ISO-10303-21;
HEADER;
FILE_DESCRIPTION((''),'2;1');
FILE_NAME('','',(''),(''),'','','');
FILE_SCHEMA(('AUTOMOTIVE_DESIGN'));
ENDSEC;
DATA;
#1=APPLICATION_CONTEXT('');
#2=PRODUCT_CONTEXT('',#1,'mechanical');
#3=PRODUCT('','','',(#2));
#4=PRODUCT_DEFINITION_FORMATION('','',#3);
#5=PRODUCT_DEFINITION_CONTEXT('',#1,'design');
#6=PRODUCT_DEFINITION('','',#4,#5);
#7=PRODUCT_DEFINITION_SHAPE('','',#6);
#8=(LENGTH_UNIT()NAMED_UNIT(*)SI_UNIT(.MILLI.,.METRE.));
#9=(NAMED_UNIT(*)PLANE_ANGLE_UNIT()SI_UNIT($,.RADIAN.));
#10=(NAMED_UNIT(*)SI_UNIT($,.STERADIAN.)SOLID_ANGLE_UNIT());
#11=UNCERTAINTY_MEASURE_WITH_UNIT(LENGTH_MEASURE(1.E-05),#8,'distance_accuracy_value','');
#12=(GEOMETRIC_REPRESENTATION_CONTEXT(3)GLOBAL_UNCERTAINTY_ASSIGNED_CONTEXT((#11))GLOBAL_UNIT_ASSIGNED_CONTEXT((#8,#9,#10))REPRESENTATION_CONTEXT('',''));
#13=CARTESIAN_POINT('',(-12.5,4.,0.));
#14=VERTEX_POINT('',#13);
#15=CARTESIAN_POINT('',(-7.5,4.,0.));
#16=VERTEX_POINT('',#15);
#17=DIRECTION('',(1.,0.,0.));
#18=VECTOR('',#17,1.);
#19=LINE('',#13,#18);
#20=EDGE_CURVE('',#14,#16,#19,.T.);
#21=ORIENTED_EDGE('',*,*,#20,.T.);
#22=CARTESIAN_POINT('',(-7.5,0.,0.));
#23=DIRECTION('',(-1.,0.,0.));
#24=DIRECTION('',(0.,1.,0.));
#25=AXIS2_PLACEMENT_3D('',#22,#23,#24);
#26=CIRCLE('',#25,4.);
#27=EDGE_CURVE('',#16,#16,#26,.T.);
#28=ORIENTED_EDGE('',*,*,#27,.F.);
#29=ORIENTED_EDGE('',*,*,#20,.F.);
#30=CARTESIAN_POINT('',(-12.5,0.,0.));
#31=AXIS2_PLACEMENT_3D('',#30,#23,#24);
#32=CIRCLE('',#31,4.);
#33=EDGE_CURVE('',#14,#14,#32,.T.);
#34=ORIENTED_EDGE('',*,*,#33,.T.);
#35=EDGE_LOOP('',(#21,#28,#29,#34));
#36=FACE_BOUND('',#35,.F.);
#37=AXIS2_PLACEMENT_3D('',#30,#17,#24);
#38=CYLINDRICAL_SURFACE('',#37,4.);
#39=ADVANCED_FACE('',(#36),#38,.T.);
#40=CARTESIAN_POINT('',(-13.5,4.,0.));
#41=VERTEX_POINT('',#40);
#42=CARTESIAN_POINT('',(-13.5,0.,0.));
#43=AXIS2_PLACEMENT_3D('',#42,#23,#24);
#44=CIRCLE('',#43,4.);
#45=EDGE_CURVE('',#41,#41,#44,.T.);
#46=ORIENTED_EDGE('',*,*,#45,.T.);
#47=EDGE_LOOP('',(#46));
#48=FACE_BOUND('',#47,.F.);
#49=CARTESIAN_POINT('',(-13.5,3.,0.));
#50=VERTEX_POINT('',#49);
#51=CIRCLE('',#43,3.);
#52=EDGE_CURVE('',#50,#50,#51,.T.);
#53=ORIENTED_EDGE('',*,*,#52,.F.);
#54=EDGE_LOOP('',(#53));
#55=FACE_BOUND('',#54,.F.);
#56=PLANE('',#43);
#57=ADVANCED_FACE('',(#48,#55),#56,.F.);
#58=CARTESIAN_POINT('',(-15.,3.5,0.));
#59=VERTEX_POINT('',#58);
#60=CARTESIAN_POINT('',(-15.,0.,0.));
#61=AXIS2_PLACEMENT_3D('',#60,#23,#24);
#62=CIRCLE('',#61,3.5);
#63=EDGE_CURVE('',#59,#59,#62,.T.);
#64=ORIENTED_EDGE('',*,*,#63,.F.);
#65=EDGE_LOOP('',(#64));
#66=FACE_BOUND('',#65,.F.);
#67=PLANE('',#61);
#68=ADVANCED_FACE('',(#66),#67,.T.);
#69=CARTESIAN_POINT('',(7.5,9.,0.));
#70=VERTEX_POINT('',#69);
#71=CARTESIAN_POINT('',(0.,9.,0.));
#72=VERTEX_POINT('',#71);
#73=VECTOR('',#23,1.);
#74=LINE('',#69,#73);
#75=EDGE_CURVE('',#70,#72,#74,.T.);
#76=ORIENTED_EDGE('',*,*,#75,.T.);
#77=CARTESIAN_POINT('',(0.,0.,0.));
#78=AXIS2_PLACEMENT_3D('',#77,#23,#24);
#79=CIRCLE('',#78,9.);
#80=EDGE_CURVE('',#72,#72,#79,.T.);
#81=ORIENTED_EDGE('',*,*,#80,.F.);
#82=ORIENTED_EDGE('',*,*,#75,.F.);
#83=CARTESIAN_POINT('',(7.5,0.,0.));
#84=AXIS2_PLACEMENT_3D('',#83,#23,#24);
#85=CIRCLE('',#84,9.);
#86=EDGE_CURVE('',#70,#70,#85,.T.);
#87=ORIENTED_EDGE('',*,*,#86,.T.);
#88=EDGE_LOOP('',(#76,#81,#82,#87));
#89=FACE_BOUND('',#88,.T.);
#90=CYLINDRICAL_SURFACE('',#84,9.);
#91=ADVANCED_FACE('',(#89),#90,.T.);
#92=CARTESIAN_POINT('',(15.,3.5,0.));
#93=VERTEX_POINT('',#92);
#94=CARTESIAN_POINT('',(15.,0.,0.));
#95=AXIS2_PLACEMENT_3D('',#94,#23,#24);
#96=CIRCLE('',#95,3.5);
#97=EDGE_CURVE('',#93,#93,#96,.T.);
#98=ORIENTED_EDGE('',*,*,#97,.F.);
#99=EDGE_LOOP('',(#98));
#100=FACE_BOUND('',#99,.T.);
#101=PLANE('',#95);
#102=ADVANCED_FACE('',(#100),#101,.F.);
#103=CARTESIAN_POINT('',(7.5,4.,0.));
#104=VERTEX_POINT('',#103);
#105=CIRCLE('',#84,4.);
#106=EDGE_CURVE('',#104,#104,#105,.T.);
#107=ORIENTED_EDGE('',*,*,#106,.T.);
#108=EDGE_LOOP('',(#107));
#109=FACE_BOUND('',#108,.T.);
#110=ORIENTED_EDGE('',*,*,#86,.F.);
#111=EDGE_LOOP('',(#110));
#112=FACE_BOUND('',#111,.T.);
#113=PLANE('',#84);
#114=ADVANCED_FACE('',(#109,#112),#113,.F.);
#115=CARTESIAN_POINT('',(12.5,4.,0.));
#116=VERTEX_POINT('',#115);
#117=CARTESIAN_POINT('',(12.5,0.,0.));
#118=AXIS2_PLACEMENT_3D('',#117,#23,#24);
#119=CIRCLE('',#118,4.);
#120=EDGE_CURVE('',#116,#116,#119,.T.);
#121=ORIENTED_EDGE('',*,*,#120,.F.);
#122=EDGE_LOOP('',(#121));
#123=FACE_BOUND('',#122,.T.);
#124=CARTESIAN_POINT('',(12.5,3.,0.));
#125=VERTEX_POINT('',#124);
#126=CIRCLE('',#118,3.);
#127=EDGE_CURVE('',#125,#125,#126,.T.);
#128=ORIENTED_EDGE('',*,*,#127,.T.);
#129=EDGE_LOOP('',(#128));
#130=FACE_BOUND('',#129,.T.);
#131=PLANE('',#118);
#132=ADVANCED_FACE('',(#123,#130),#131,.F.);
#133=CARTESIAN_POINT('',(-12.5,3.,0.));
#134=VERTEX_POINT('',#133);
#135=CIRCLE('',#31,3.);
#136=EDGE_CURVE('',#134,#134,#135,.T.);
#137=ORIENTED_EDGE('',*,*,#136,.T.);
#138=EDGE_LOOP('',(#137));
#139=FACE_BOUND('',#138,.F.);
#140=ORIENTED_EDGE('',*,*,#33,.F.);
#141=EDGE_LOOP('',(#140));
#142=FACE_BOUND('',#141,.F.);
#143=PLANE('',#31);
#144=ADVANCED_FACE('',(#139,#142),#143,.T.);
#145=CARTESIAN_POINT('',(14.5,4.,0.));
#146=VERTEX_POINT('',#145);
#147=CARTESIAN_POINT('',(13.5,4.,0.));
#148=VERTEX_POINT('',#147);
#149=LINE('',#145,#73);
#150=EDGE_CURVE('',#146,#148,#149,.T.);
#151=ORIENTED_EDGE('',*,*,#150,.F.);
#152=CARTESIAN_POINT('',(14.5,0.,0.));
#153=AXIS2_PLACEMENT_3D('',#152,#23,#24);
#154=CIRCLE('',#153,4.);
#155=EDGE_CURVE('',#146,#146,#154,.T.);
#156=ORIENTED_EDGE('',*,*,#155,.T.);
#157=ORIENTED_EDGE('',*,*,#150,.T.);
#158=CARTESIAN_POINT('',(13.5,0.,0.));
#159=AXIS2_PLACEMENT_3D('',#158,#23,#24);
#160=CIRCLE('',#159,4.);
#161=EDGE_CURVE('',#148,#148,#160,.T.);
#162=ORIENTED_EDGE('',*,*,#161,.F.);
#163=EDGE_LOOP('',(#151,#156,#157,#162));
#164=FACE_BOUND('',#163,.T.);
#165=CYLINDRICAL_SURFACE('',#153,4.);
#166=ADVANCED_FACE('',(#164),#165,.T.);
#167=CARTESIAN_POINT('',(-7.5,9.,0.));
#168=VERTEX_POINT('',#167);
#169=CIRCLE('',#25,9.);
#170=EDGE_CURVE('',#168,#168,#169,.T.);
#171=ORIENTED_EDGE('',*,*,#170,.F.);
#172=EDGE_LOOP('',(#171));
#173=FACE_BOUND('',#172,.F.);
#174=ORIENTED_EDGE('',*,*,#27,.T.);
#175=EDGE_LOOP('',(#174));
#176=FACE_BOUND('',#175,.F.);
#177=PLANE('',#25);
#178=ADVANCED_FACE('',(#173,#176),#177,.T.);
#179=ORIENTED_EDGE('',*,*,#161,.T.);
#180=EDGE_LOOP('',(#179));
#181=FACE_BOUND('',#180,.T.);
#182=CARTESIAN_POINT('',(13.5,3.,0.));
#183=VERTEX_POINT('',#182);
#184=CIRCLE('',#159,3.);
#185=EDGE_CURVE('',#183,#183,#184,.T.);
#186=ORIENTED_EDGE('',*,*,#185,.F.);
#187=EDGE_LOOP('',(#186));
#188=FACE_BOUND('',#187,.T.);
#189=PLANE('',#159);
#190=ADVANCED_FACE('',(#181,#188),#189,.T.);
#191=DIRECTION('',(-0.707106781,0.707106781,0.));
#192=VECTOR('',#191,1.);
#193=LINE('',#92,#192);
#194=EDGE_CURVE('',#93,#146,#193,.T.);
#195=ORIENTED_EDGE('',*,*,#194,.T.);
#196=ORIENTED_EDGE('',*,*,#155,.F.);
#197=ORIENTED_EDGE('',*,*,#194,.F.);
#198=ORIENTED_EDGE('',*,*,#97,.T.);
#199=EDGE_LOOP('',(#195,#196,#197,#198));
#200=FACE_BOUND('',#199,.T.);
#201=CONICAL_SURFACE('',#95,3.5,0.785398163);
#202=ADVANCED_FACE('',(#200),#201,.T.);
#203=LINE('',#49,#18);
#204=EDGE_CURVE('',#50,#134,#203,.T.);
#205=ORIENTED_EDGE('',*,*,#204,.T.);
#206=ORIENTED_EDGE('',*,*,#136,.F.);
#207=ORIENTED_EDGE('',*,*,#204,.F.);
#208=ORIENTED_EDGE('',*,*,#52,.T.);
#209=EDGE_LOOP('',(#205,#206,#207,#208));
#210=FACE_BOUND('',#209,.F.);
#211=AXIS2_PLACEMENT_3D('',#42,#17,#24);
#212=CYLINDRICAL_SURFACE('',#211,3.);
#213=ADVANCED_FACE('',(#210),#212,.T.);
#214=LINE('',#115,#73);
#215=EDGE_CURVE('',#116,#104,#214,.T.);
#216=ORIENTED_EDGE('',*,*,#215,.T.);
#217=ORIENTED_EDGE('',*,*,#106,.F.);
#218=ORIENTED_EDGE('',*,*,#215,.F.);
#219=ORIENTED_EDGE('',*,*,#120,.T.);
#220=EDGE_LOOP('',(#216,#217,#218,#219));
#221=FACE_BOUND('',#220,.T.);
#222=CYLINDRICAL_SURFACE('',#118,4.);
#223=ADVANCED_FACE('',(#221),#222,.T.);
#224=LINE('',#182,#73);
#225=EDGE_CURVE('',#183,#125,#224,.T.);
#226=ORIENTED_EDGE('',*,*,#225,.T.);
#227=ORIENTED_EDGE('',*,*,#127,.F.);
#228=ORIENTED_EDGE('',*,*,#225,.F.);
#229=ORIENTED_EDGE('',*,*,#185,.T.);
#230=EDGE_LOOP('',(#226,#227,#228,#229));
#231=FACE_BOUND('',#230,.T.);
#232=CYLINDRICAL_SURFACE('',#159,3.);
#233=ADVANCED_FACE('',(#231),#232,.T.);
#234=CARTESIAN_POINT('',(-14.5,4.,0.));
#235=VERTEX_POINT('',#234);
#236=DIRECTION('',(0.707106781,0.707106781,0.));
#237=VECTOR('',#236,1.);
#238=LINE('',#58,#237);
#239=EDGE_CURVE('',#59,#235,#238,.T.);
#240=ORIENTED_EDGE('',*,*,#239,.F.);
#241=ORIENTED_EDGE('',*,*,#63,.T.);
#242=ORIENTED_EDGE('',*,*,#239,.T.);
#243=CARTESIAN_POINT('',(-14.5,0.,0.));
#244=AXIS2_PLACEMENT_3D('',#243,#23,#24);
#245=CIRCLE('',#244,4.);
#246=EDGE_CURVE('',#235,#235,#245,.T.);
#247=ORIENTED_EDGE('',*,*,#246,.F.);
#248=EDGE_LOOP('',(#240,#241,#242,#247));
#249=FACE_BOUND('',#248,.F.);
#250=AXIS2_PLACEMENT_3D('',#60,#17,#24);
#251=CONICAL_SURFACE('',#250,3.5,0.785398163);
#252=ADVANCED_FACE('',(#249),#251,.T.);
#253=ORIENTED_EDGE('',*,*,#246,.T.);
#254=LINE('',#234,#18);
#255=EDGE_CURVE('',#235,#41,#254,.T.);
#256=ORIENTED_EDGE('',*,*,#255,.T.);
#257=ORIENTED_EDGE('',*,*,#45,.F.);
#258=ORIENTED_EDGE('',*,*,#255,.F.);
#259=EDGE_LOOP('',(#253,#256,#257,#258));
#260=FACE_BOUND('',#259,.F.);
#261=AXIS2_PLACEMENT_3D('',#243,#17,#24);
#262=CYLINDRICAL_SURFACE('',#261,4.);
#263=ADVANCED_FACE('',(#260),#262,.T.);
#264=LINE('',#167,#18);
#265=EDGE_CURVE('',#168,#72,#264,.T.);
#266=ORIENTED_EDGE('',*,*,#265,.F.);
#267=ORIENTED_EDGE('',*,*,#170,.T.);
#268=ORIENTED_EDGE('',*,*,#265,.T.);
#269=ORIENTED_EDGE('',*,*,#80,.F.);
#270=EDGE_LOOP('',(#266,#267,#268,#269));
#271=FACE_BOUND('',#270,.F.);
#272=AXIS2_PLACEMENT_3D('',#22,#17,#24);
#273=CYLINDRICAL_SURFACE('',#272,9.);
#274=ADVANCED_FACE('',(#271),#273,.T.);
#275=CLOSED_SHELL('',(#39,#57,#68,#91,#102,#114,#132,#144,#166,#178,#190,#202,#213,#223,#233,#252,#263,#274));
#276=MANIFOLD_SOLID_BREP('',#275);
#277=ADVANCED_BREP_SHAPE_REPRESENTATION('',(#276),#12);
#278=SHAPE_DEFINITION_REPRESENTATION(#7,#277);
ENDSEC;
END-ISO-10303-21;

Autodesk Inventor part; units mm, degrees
ref_plane "YZ Plane" through (0, 0, 0) normal (1, 0, 0) x (0, 1, 0)
ref_plane "XZ Plane" through (0, 0, 0) normal (0, 1, 0) x (-1, 0, 0)
ref_plane "XY Plane" through (0, 0, 0) normal (0, 0, 1) x (1, 0, 0)
sketch "Sketch1" plane through (0, 0, 0) normal (0, 0, 1) x (1, 0, 0)
  line L0 (0, 0) -> (15, 0)
  line L1 (15, 0) -> (15, 3.5)
  line L2 (14.5, 4) -> (13.5, 4)
  line L3 (13.5, 4) -> (13.5, 3)
  line L4 (13.5, 3) -> (12.5, 3)
  line L5 (12.5, 3) -> (12.5, 4)
  line L6 (12.5, 4) -> (7.5, 4)
  line L7 (7.5, 4) -> (7.5, 9)
  line L8 (7.5, 9) -> (0, 9)
  line L9 (0, 9) -> (0, 0) construction
  line L10 (15, 3.5) -> (14.5, 4)
  line L11 (-15, 0) -> (-15, 3.5)
  line L12 (-14.5, 4) -> (-13.5, 4)
  line L13 (-13.5, 4) -> (-13.5, 3)
  line L14 (-13.5, 3) -> (-12.5, 3)
  line L15 (-12.5, 3) -> (-12.5, 4)
  line L16 (-12.5, 4) -> (-7.5, 4)
  line L17 (-7.5, 4) -> (-7.5, 9)
  line L18 (-7.5, 9) -> (0, 9)
  line L19 (-15, 3.5) -> (-14.5, 4)
  line L20 (0, 0) -> (-15, 0)
  point P0 (15, 4)
  point P1 (-15, 4)
  dimension "d0" = 8
  dimension "d1" = 6
  dimension "d2" = 1
  dimension "d3" = 7.5
  dimension "d4" = 30
  dimension "d5" = 18
  dimension "d6" = 0.5
  dimension "d7" = 0.5
revolve "Revolution1" add sketch "Sketch1" angle 360 about axis through (0, 0, 0) along (-1, 0, 0)
equation "\"d7\" = d6"
properties part number "Hinge" material "Steel, Mild"
